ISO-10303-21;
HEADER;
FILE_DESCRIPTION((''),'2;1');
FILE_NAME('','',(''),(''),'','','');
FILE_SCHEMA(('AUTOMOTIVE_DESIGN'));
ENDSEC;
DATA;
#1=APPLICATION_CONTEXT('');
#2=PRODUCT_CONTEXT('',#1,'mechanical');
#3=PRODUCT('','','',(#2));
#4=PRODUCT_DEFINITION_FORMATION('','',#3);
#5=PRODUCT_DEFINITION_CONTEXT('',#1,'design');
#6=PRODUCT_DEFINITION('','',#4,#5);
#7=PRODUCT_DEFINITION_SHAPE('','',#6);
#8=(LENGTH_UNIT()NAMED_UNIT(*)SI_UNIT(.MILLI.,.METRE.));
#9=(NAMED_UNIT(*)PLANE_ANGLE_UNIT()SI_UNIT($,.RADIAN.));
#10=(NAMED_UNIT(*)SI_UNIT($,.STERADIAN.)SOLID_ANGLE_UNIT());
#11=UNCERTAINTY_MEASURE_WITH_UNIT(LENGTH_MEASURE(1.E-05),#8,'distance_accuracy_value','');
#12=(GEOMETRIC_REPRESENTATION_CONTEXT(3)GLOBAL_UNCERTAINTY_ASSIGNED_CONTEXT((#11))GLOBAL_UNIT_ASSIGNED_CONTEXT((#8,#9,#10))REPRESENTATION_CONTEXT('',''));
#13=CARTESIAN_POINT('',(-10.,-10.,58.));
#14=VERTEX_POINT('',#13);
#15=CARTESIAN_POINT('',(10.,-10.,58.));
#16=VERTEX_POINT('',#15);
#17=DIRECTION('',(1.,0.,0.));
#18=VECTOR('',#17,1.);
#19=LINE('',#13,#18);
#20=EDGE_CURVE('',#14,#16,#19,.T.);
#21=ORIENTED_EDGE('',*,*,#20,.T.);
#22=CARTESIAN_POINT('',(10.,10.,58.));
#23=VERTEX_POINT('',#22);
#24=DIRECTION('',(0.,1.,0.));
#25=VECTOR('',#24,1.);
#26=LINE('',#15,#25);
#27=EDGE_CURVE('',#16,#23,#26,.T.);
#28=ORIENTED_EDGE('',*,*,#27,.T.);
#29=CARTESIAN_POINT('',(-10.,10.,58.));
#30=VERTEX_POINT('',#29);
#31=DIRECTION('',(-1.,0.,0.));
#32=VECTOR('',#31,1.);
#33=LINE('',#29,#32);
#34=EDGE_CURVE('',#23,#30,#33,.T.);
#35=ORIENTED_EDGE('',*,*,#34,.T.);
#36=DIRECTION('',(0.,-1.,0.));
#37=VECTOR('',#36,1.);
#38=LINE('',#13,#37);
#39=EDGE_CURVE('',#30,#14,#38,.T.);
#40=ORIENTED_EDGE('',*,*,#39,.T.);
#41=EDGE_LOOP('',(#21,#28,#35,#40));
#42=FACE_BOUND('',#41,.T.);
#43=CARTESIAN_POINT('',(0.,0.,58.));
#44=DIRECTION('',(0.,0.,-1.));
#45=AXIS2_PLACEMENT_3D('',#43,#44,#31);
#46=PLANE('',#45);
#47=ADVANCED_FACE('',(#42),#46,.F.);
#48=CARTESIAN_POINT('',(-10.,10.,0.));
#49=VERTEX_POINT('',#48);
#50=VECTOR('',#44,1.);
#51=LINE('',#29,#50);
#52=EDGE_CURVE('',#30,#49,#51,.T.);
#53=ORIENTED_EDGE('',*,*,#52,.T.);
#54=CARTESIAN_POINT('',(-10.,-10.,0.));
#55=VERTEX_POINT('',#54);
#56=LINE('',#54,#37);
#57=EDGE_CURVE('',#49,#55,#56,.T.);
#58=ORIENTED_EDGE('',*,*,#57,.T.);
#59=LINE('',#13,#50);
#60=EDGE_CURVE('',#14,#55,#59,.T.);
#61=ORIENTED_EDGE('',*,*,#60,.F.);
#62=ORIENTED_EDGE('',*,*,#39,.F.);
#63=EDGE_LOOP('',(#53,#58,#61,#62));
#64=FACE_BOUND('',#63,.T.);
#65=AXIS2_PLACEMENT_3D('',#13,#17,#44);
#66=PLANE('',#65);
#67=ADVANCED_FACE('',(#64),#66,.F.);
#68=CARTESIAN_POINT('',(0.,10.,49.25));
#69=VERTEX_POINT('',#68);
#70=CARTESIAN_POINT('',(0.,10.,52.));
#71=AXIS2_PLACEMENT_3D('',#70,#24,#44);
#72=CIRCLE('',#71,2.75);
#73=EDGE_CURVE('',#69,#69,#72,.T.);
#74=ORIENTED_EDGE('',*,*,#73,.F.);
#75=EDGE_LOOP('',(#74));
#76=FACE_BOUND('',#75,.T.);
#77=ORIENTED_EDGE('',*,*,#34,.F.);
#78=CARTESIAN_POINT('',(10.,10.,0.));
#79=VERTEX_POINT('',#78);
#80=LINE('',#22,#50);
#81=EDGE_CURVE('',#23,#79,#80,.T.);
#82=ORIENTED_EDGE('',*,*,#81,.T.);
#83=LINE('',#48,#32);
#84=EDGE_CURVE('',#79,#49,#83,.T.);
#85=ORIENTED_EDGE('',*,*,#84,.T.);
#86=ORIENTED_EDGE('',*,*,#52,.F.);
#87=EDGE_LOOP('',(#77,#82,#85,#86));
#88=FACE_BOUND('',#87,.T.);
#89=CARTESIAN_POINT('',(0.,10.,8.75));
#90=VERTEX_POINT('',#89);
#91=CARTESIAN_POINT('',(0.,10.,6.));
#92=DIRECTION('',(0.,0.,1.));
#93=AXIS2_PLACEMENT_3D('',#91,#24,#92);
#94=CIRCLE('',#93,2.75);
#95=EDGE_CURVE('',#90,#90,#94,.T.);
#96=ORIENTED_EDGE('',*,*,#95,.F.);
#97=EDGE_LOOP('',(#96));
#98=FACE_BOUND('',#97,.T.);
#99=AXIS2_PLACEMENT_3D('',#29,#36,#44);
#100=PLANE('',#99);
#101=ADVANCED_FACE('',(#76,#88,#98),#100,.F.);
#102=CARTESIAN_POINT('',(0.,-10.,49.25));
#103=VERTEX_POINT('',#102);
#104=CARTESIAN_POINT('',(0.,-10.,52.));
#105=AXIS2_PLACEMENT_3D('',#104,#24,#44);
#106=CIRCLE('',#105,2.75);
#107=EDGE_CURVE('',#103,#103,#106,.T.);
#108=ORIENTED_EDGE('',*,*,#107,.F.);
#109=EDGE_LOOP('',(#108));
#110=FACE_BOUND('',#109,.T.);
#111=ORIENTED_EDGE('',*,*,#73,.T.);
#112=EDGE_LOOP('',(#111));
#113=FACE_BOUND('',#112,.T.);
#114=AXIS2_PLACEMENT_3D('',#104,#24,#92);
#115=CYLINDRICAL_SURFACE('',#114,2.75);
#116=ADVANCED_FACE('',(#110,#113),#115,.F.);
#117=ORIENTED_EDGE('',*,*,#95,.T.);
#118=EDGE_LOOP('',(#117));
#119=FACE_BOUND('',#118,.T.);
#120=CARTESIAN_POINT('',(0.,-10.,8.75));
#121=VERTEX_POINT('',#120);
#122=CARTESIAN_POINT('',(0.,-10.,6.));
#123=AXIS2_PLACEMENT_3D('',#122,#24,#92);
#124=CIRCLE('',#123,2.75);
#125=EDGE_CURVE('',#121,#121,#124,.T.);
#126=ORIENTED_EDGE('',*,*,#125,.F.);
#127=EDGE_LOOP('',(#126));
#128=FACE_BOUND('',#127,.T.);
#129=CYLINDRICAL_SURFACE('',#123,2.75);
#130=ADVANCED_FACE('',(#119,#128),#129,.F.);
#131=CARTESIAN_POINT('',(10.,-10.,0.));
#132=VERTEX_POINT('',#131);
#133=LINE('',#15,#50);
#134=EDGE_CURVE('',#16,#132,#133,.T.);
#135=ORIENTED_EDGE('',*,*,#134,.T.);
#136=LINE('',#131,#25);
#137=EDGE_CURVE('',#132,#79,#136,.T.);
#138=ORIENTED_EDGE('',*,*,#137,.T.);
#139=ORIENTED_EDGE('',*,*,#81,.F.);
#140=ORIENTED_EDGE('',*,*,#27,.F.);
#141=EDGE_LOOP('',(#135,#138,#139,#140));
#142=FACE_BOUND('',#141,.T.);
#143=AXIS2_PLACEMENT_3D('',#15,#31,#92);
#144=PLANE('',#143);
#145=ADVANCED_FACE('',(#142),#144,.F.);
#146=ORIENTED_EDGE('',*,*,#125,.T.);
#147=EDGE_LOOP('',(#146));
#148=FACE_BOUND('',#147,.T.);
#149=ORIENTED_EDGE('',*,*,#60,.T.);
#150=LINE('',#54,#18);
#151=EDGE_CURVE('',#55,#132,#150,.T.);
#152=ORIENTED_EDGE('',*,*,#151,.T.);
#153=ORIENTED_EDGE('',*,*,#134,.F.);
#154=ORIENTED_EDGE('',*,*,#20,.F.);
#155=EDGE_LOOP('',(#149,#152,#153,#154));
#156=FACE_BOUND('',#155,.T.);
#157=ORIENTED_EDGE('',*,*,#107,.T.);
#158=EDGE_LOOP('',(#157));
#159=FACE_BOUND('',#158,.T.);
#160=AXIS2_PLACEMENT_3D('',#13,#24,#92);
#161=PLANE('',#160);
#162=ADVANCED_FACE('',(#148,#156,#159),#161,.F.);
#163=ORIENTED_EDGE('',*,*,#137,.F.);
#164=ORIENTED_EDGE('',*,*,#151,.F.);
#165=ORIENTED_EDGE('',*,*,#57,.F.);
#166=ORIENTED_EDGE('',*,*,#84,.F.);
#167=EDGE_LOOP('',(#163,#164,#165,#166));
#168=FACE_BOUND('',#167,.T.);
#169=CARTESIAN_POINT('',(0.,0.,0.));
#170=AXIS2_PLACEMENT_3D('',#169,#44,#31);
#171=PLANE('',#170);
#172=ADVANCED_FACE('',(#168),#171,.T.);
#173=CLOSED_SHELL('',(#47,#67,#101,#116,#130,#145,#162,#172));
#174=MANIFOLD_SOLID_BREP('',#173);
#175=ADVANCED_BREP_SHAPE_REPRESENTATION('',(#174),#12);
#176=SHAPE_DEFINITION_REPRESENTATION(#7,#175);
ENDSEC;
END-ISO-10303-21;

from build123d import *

# Parameters (mm, degrees)
SKETCH_1_W          = 20
SKETCH_1_H          = 20
EXTRUDE_1_DEPTH     = 58
SKETCH_2_R          = 2.75
CUT_EXTRUDE_1_DEPTH = 63.161081072


with BuildPart() as part:
    # 草图1 → 凸台-拉伸1 (new body)
    with BuildSketch(Plane.XY):
        Rectangle(SKETCH_1_W, SKETCH_1_H)
    extrude(amount=EXTRUDE_1_DEPTH)

    # 草图2 → 切除-拉伸1 (cut, through all)
    with BuildSketch(Plane(origin=(0, 10, 0), x_dir=(1, 0, 0), z_dir=(0, 1, 0))):
        with Locations(Location((0, -6, 0), (0, 0, 270))):
            Circle(SKETCH_2_R)
        with Locations(Location((0, -52, 0), (0, 0, 90))):
            Circle(SKETCH_2_R)
    extrude(amount=-CUT_EXTRUDE_1_DEPTH, mode=Mode.SUBTRACT)


solid = part.part
